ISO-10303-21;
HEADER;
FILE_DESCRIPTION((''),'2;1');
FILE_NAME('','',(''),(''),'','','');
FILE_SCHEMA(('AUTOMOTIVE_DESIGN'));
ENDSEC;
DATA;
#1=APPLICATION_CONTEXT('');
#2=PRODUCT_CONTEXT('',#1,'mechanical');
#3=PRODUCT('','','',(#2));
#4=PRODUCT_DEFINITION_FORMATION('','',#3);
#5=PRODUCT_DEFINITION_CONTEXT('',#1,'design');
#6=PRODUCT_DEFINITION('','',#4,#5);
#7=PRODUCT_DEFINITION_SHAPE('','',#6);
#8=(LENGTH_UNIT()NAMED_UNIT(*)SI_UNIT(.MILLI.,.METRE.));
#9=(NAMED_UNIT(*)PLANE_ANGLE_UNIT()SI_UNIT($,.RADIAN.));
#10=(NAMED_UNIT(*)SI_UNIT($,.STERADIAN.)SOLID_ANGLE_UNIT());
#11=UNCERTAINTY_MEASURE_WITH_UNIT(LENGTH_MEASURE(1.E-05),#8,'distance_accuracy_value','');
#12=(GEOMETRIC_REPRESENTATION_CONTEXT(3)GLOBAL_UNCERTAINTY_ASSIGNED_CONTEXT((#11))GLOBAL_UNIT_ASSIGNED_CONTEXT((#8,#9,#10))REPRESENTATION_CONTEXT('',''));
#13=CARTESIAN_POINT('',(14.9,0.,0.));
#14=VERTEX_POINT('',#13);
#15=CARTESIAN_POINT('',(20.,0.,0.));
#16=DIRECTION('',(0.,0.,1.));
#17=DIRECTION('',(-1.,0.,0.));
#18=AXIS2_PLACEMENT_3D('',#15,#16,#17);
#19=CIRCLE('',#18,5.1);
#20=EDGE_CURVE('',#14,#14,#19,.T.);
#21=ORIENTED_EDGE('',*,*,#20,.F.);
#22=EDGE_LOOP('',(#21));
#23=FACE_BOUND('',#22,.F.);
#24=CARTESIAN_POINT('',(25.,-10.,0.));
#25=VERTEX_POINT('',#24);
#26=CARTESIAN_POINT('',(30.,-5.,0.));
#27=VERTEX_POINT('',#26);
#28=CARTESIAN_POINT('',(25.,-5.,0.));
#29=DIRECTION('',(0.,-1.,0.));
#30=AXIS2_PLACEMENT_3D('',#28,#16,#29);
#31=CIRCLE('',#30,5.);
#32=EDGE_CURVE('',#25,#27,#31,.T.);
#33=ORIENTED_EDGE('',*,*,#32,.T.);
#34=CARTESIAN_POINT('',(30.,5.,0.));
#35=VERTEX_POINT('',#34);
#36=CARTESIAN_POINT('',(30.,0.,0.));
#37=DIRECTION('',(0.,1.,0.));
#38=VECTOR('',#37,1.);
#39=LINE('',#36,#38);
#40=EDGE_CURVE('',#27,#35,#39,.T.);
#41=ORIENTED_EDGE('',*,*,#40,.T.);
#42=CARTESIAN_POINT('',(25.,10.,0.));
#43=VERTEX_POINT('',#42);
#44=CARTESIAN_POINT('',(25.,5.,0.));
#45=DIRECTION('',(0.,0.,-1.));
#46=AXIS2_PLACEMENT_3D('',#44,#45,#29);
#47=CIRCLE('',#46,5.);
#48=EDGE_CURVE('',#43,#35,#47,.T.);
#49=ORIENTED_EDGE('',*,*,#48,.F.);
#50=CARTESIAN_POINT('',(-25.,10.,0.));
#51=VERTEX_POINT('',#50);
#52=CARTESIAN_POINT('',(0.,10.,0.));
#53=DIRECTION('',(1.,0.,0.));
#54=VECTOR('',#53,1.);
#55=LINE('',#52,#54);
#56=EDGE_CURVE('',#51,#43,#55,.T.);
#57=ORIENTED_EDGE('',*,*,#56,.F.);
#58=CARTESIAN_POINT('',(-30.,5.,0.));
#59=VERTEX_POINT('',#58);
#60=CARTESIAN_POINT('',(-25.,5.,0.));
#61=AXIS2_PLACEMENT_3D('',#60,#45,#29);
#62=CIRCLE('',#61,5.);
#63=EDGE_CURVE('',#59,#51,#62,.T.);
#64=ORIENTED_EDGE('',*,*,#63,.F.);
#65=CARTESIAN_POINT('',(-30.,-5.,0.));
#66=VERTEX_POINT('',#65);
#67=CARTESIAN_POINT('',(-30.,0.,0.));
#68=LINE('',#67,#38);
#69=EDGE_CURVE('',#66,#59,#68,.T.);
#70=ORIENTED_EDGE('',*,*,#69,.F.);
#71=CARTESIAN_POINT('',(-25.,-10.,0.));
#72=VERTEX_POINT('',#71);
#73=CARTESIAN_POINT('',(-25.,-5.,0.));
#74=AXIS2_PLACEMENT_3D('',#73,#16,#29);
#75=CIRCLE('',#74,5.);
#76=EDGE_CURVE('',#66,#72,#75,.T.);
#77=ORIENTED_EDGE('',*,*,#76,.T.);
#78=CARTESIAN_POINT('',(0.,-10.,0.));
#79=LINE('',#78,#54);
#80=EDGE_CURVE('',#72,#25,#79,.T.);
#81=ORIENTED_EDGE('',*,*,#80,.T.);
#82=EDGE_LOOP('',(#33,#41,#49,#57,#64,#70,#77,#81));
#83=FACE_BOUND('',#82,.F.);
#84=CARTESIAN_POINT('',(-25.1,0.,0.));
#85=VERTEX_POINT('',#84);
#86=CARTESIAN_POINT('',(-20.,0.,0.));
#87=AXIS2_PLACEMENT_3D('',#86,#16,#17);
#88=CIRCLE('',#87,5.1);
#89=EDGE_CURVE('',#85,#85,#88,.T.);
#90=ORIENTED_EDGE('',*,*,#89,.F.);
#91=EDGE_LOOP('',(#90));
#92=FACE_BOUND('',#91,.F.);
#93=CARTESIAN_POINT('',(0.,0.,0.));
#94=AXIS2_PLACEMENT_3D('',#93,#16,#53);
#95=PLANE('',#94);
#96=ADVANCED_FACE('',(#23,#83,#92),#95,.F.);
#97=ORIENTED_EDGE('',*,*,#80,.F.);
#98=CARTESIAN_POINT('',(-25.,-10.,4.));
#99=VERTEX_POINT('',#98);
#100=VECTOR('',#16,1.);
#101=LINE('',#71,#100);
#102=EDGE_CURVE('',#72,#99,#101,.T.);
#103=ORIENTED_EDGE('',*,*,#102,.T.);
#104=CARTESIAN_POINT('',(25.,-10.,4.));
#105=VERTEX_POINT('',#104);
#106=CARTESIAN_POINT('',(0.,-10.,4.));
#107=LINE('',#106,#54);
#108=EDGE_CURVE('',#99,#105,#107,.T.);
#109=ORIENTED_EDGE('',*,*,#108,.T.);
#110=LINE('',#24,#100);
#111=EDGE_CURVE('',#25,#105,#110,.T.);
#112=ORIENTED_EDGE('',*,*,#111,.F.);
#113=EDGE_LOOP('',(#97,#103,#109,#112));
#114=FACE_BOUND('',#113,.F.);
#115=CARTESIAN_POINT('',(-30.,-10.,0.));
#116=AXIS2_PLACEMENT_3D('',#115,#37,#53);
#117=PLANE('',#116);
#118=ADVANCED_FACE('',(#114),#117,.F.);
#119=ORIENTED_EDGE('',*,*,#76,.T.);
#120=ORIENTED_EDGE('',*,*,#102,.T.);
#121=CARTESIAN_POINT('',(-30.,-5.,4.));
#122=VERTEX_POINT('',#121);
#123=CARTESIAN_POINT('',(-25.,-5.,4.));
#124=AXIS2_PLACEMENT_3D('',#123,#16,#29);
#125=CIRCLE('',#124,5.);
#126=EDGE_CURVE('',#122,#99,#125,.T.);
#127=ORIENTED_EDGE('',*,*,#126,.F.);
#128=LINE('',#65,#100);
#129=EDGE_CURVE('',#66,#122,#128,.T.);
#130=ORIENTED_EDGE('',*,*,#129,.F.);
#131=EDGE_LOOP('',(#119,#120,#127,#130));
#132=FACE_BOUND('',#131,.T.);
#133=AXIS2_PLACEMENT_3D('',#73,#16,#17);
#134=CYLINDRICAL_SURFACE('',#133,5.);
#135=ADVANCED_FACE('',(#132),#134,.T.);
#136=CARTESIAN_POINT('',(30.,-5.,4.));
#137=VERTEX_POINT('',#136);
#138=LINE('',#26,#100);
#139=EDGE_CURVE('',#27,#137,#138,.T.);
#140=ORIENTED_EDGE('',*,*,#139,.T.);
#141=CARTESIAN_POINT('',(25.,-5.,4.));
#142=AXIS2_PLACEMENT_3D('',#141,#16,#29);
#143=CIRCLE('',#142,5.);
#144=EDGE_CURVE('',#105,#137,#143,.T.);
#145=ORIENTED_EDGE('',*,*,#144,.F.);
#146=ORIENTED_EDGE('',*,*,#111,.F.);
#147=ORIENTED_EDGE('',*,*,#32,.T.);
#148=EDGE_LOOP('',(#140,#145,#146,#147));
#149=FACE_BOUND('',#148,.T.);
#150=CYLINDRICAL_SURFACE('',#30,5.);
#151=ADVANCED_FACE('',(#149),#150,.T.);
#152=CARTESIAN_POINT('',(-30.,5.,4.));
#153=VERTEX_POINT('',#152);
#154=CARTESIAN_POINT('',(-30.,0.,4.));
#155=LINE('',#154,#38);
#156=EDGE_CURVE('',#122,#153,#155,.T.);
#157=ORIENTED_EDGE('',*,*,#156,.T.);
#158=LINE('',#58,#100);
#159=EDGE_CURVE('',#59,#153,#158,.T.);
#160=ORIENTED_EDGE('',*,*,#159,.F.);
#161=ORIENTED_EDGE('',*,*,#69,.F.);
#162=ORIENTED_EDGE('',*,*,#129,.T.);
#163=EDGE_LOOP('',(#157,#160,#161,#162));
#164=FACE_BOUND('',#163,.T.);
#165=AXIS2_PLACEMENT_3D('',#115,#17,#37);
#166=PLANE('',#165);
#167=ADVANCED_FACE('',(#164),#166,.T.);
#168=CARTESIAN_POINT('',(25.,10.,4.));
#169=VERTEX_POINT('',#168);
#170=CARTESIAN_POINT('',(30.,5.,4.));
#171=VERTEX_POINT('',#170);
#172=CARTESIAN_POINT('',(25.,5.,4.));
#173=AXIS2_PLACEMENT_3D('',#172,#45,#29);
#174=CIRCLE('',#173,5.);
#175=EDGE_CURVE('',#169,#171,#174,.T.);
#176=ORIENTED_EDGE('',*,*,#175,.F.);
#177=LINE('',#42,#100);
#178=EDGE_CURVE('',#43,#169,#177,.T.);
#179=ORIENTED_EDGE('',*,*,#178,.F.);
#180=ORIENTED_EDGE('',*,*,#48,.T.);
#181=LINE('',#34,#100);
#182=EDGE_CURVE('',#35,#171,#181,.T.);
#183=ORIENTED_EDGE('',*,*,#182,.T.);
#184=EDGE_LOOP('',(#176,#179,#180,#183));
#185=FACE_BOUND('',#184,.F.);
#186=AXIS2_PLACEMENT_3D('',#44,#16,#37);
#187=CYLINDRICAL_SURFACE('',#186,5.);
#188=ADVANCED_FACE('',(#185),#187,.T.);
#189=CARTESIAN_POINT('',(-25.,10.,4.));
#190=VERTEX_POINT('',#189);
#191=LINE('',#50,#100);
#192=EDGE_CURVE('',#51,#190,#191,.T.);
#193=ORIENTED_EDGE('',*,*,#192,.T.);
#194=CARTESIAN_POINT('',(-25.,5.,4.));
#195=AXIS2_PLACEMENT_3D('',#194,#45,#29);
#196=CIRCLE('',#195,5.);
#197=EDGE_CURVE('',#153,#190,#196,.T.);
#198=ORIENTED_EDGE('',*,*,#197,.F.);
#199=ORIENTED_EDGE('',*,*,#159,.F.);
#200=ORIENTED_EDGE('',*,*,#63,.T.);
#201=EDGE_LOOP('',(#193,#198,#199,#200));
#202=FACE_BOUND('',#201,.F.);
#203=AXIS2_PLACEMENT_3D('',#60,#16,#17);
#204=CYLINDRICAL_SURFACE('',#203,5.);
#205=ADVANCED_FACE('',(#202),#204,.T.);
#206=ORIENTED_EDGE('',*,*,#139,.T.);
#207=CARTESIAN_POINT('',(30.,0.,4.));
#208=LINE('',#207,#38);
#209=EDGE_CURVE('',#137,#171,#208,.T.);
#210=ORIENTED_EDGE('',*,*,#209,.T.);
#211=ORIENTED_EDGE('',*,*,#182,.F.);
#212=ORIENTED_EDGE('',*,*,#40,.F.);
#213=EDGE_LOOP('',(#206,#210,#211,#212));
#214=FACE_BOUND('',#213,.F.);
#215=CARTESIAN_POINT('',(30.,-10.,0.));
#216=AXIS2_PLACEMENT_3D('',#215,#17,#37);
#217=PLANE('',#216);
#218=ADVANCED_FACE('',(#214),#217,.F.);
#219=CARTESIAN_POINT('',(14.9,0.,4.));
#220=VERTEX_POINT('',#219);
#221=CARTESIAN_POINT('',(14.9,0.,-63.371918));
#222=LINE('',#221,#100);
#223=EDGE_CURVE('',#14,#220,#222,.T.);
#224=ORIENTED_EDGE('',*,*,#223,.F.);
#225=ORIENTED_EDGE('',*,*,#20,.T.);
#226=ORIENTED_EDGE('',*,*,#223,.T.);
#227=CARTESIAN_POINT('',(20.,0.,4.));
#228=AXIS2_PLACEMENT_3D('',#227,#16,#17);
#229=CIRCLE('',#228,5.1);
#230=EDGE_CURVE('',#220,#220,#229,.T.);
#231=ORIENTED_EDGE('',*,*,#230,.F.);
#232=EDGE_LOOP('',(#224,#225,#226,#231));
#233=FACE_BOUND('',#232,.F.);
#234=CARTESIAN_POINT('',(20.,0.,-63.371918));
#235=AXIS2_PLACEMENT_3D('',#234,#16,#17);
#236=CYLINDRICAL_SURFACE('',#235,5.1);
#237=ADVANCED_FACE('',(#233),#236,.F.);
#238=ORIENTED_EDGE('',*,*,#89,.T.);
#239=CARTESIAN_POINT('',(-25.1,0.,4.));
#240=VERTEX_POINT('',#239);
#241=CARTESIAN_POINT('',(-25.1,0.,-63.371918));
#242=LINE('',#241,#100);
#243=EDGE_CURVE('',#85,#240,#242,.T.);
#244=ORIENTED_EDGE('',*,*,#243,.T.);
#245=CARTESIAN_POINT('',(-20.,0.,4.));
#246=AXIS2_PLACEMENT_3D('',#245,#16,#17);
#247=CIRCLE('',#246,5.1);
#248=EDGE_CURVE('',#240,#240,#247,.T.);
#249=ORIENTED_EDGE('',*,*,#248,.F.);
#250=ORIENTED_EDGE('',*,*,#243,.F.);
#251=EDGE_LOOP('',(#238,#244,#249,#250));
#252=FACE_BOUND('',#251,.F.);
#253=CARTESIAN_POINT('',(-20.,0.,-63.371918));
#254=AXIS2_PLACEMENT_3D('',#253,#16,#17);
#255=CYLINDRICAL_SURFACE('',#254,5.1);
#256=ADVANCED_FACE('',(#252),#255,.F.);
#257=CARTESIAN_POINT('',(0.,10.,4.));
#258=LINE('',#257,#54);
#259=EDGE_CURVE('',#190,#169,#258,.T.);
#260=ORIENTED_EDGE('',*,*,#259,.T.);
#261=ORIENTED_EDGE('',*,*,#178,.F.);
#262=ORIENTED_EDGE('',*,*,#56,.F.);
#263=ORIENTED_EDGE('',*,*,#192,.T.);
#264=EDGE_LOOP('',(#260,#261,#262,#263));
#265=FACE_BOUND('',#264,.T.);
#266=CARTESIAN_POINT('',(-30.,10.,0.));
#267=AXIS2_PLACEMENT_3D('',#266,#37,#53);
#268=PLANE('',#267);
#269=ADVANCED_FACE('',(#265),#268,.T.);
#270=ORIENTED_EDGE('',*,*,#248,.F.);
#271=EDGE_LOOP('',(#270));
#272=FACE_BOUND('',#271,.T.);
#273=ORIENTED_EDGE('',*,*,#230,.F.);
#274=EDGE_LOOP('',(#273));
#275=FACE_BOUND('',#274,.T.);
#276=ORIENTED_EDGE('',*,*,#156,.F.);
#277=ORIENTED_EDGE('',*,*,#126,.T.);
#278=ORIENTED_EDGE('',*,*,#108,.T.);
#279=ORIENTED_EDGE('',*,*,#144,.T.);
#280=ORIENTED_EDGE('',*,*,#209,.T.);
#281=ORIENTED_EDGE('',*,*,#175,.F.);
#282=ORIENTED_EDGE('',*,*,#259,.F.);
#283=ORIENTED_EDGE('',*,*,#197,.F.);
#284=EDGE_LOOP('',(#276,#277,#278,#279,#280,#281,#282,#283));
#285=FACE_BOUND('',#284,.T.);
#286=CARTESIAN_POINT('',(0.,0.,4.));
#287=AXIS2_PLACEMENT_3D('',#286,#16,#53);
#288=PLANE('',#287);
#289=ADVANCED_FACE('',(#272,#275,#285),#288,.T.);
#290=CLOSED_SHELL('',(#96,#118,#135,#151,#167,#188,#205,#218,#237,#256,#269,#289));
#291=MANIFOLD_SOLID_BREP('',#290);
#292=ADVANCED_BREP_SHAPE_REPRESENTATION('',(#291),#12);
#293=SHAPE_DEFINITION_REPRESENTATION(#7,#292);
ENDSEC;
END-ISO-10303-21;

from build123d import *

# Parameters (mm, degrees)
F0_W     = 60
F0_H     = 20
F1_DEPTH = 4
F2_D     = 10.2
F3_R     = 5


with BuildPart() as f1:
    # F0 (on Top) → F1 (new body)
    with BuildSketch(Plane.XY):
        Rectangle(F0_W, F0_H)
    extrude(amount=F1_DEPTH)

    # F2 (through all)
    with Locations(Plane(origin=(0, 0, 0), x_dir=(1, 0, 0), z_dir=(0, 0, -1))):
        with Locations((-20, 0), (20, 0)):
            Hole(F2_D / 2)

    # F3
    f3_edges = [f1.edges().sort_by_distance(p)[0] for p in [
        (-30, 10, 2),
        (-30, -10, 2),
        (30, 10, 2),
        (30, -10, 2),
    ]]
    fillet(f3_edges, radius=F3_R)


solid = f1.part
